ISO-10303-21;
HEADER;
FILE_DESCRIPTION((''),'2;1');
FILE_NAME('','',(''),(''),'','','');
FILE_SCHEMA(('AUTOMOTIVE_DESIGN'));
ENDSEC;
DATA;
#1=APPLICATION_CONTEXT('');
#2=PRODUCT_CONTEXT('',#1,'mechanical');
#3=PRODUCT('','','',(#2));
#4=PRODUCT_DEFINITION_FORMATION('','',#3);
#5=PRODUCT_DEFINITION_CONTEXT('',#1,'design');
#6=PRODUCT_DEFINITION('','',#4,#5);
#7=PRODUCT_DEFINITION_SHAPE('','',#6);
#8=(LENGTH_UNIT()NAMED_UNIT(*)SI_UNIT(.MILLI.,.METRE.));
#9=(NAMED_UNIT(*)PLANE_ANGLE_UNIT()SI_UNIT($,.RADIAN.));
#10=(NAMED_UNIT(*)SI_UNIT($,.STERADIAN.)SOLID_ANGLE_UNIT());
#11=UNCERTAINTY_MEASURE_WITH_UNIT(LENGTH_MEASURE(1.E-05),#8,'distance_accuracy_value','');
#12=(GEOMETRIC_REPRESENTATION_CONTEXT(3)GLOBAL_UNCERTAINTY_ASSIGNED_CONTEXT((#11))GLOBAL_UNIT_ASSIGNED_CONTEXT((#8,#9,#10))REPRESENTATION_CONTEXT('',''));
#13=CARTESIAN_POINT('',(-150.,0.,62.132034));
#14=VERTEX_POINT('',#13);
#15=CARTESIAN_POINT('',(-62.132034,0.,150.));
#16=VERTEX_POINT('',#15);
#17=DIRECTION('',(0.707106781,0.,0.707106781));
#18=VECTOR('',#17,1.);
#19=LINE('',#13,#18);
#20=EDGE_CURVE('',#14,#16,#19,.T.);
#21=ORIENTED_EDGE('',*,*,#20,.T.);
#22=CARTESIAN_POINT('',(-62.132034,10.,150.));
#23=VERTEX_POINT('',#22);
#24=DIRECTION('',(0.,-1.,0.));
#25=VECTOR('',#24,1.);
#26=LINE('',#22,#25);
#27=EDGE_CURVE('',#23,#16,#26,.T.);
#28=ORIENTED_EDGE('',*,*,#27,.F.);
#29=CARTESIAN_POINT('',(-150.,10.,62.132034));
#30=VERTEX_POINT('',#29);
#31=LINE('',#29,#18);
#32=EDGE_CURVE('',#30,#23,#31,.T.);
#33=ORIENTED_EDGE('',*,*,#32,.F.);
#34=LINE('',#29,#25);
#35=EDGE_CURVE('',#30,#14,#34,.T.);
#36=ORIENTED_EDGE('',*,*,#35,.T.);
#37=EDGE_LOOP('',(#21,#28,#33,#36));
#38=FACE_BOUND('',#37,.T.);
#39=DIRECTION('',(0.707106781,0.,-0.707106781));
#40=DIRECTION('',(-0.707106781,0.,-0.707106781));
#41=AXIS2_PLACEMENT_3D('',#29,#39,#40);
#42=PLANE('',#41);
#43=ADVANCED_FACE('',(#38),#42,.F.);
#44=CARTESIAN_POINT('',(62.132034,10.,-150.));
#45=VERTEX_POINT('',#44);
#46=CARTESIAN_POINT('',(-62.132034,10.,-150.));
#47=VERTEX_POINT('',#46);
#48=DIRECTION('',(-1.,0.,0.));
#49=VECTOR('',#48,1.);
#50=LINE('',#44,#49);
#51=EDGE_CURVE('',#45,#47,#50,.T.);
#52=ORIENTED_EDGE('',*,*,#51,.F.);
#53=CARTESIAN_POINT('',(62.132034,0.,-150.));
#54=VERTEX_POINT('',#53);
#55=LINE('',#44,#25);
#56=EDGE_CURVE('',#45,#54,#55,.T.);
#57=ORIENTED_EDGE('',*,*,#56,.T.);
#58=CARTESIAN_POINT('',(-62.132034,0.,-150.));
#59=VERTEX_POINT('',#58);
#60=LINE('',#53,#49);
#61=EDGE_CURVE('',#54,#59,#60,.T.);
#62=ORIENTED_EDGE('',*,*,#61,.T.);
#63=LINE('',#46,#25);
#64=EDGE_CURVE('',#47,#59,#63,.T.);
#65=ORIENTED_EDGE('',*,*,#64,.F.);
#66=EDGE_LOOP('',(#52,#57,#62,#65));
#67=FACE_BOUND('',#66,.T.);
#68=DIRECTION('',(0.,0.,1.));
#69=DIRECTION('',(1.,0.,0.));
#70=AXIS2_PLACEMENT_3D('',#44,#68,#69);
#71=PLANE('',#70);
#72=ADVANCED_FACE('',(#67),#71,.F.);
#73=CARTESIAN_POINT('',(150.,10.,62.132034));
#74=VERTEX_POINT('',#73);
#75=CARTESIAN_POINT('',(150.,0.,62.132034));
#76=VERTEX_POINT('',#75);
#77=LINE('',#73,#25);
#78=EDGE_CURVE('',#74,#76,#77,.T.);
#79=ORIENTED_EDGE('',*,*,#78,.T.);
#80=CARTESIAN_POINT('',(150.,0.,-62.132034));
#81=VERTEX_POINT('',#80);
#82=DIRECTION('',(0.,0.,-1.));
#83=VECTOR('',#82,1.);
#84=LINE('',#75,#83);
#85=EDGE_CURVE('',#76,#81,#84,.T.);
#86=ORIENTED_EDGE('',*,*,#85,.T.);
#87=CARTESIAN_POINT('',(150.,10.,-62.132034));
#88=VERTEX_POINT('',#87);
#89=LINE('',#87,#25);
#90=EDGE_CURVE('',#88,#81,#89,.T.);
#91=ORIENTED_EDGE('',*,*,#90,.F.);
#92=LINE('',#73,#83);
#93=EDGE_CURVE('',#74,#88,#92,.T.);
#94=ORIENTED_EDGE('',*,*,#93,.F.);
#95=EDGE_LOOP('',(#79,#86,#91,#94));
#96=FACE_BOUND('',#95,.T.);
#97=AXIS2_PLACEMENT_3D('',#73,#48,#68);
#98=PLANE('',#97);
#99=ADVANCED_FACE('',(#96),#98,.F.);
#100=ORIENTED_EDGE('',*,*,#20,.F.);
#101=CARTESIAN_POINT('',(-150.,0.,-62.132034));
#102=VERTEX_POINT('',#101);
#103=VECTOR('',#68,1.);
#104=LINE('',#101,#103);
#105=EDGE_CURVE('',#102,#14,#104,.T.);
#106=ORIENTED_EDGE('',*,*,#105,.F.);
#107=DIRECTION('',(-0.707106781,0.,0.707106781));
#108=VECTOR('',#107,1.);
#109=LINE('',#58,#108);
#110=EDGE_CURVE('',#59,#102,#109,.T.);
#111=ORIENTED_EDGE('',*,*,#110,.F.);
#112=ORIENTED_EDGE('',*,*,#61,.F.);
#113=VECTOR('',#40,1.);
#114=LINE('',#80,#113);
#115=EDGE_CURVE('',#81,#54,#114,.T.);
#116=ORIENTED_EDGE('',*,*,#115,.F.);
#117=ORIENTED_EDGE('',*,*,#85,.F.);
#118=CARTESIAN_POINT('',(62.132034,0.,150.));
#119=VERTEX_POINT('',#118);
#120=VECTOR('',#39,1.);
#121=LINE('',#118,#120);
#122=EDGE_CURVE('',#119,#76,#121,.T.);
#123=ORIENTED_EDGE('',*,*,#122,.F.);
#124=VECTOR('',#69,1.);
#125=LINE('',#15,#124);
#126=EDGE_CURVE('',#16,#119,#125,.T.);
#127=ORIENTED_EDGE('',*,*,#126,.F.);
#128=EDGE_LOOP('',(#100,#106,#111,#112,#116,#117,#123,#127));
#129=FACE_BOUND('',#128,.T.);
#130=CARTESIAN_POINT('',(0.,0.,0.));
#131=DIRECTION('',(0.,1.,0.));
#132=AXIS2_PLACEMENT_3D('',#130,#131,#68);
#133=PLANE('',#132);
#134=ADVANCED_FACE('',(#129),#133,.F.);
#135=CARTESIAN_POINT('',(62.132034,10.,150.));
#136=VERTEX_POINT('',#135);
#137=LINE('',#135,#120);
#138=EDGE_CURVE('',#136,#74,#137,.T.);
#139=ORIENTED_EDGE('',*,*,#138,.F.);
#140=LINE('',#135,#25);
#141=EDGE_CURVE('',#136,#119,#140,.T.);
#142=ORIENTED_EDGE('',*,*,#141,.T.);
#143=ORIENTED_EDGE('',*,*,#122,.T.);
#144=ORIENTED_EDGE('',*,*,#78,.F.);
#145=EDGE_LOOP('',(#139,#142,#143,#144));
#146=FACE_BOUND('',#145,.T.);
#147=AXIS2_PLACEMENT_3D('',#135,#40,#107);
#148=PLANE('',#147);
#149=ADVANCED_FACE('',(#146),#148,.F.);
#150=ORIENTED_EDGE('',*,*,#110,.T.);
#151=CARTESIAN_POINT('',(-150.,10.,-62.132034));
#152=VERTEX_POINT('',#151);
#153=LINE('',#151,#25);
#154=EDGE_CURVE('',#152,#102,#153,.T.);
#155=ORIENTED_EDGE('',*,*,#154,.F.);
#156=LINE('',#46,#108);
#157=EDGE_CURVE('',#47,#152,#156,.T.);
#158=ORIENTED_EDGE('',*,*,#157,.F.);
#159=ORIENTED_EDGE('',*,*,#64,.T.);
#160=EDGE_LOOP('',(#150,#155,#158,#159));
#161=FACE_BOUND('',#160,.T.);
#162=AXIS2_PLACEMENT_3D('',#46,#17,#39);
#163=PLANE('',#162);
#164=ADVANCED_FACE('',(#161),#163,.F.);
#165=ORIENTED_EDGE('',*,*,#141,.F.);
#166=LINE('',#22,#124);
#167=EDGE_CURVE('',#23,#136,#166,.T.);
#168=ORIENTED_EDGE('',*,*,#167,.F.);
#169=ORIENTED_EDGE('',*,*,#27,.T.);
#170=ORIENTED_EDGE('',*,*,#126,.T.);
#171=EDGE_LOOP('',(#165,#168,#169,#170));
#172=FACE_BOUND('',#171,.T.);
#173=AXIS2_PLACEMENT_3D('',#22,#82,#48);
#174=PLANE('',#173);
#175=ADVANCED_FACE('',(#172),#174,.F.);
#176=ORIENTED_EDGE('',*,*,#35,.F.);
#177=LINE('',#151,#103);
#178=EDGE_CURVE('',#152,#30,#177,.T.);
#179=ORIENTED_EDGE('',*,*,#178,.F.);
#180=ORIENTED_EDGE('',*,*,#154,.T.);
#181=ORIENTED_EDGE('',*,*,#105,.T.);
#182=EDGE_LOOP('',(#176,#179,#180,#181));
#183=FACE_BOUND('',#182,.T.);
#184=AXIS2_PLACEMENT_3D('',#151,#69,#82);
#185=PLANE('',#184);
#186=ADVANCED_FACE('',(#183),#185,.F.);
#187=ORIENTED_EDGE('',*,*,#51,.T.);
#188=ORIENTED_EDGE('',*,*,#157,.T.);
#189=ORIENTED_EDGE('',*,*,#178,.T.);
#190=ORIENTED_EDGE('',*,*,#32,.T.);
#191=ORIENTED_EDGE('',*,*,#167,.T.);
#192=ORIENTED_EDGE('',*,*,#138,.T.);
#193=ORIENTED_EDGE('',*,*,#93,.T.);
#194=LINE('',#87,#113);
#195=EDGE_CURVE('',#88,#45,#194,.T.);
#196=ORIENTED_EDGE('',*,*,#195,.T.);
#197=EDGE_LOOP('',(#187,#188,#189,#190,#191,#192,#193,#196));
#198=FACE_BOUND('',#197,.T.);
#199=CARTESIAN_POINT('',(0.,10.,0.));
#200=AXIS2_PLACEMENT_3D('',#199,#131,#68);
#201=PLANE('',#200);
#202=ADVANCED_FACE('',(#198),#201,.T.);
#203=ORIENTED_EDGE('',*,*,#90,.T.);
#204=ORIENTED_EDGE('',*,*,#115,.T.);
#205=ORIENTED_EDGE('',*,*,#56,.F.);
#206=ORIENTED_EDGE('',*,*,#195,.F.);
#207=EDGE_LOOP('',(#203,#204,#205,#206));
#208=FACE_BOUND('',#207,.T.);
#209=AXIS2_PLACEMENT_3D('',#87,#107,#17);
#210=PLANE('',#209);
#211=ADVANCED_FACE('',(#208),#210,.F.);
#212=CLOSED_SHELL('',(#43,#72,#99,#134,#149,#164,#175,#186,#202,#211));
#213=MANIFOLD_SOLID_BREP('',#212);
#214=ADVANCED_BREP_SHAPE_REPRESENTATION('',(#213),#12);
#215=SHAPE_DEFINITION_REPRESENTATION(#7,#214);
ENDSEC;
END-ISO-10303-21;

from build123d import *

# Parameters (mm, degrees)
BOSS_EXTRUDE1_DEPTH = 10


with BuildPart() as part:
    # Sketch1 → Boss-Extrude1 (new body)
    with BuildSketch(Plane(origin=(0, 0, 0), x_dir=(1, 0, 0), z_dir=(0, 1, 0))):
        Polygon((150, -62.132034356), (150, 62.132034356), (62.132034356, 150), (-62.132034356, 150), (-150, 62.132034356), (-150, -62.132034356), (-62.132034356, -150), (62.132034356, -150), align=None)
    extrude(amount=BOSS_EXTRUDE1_DEPTH)


solid = part.part
